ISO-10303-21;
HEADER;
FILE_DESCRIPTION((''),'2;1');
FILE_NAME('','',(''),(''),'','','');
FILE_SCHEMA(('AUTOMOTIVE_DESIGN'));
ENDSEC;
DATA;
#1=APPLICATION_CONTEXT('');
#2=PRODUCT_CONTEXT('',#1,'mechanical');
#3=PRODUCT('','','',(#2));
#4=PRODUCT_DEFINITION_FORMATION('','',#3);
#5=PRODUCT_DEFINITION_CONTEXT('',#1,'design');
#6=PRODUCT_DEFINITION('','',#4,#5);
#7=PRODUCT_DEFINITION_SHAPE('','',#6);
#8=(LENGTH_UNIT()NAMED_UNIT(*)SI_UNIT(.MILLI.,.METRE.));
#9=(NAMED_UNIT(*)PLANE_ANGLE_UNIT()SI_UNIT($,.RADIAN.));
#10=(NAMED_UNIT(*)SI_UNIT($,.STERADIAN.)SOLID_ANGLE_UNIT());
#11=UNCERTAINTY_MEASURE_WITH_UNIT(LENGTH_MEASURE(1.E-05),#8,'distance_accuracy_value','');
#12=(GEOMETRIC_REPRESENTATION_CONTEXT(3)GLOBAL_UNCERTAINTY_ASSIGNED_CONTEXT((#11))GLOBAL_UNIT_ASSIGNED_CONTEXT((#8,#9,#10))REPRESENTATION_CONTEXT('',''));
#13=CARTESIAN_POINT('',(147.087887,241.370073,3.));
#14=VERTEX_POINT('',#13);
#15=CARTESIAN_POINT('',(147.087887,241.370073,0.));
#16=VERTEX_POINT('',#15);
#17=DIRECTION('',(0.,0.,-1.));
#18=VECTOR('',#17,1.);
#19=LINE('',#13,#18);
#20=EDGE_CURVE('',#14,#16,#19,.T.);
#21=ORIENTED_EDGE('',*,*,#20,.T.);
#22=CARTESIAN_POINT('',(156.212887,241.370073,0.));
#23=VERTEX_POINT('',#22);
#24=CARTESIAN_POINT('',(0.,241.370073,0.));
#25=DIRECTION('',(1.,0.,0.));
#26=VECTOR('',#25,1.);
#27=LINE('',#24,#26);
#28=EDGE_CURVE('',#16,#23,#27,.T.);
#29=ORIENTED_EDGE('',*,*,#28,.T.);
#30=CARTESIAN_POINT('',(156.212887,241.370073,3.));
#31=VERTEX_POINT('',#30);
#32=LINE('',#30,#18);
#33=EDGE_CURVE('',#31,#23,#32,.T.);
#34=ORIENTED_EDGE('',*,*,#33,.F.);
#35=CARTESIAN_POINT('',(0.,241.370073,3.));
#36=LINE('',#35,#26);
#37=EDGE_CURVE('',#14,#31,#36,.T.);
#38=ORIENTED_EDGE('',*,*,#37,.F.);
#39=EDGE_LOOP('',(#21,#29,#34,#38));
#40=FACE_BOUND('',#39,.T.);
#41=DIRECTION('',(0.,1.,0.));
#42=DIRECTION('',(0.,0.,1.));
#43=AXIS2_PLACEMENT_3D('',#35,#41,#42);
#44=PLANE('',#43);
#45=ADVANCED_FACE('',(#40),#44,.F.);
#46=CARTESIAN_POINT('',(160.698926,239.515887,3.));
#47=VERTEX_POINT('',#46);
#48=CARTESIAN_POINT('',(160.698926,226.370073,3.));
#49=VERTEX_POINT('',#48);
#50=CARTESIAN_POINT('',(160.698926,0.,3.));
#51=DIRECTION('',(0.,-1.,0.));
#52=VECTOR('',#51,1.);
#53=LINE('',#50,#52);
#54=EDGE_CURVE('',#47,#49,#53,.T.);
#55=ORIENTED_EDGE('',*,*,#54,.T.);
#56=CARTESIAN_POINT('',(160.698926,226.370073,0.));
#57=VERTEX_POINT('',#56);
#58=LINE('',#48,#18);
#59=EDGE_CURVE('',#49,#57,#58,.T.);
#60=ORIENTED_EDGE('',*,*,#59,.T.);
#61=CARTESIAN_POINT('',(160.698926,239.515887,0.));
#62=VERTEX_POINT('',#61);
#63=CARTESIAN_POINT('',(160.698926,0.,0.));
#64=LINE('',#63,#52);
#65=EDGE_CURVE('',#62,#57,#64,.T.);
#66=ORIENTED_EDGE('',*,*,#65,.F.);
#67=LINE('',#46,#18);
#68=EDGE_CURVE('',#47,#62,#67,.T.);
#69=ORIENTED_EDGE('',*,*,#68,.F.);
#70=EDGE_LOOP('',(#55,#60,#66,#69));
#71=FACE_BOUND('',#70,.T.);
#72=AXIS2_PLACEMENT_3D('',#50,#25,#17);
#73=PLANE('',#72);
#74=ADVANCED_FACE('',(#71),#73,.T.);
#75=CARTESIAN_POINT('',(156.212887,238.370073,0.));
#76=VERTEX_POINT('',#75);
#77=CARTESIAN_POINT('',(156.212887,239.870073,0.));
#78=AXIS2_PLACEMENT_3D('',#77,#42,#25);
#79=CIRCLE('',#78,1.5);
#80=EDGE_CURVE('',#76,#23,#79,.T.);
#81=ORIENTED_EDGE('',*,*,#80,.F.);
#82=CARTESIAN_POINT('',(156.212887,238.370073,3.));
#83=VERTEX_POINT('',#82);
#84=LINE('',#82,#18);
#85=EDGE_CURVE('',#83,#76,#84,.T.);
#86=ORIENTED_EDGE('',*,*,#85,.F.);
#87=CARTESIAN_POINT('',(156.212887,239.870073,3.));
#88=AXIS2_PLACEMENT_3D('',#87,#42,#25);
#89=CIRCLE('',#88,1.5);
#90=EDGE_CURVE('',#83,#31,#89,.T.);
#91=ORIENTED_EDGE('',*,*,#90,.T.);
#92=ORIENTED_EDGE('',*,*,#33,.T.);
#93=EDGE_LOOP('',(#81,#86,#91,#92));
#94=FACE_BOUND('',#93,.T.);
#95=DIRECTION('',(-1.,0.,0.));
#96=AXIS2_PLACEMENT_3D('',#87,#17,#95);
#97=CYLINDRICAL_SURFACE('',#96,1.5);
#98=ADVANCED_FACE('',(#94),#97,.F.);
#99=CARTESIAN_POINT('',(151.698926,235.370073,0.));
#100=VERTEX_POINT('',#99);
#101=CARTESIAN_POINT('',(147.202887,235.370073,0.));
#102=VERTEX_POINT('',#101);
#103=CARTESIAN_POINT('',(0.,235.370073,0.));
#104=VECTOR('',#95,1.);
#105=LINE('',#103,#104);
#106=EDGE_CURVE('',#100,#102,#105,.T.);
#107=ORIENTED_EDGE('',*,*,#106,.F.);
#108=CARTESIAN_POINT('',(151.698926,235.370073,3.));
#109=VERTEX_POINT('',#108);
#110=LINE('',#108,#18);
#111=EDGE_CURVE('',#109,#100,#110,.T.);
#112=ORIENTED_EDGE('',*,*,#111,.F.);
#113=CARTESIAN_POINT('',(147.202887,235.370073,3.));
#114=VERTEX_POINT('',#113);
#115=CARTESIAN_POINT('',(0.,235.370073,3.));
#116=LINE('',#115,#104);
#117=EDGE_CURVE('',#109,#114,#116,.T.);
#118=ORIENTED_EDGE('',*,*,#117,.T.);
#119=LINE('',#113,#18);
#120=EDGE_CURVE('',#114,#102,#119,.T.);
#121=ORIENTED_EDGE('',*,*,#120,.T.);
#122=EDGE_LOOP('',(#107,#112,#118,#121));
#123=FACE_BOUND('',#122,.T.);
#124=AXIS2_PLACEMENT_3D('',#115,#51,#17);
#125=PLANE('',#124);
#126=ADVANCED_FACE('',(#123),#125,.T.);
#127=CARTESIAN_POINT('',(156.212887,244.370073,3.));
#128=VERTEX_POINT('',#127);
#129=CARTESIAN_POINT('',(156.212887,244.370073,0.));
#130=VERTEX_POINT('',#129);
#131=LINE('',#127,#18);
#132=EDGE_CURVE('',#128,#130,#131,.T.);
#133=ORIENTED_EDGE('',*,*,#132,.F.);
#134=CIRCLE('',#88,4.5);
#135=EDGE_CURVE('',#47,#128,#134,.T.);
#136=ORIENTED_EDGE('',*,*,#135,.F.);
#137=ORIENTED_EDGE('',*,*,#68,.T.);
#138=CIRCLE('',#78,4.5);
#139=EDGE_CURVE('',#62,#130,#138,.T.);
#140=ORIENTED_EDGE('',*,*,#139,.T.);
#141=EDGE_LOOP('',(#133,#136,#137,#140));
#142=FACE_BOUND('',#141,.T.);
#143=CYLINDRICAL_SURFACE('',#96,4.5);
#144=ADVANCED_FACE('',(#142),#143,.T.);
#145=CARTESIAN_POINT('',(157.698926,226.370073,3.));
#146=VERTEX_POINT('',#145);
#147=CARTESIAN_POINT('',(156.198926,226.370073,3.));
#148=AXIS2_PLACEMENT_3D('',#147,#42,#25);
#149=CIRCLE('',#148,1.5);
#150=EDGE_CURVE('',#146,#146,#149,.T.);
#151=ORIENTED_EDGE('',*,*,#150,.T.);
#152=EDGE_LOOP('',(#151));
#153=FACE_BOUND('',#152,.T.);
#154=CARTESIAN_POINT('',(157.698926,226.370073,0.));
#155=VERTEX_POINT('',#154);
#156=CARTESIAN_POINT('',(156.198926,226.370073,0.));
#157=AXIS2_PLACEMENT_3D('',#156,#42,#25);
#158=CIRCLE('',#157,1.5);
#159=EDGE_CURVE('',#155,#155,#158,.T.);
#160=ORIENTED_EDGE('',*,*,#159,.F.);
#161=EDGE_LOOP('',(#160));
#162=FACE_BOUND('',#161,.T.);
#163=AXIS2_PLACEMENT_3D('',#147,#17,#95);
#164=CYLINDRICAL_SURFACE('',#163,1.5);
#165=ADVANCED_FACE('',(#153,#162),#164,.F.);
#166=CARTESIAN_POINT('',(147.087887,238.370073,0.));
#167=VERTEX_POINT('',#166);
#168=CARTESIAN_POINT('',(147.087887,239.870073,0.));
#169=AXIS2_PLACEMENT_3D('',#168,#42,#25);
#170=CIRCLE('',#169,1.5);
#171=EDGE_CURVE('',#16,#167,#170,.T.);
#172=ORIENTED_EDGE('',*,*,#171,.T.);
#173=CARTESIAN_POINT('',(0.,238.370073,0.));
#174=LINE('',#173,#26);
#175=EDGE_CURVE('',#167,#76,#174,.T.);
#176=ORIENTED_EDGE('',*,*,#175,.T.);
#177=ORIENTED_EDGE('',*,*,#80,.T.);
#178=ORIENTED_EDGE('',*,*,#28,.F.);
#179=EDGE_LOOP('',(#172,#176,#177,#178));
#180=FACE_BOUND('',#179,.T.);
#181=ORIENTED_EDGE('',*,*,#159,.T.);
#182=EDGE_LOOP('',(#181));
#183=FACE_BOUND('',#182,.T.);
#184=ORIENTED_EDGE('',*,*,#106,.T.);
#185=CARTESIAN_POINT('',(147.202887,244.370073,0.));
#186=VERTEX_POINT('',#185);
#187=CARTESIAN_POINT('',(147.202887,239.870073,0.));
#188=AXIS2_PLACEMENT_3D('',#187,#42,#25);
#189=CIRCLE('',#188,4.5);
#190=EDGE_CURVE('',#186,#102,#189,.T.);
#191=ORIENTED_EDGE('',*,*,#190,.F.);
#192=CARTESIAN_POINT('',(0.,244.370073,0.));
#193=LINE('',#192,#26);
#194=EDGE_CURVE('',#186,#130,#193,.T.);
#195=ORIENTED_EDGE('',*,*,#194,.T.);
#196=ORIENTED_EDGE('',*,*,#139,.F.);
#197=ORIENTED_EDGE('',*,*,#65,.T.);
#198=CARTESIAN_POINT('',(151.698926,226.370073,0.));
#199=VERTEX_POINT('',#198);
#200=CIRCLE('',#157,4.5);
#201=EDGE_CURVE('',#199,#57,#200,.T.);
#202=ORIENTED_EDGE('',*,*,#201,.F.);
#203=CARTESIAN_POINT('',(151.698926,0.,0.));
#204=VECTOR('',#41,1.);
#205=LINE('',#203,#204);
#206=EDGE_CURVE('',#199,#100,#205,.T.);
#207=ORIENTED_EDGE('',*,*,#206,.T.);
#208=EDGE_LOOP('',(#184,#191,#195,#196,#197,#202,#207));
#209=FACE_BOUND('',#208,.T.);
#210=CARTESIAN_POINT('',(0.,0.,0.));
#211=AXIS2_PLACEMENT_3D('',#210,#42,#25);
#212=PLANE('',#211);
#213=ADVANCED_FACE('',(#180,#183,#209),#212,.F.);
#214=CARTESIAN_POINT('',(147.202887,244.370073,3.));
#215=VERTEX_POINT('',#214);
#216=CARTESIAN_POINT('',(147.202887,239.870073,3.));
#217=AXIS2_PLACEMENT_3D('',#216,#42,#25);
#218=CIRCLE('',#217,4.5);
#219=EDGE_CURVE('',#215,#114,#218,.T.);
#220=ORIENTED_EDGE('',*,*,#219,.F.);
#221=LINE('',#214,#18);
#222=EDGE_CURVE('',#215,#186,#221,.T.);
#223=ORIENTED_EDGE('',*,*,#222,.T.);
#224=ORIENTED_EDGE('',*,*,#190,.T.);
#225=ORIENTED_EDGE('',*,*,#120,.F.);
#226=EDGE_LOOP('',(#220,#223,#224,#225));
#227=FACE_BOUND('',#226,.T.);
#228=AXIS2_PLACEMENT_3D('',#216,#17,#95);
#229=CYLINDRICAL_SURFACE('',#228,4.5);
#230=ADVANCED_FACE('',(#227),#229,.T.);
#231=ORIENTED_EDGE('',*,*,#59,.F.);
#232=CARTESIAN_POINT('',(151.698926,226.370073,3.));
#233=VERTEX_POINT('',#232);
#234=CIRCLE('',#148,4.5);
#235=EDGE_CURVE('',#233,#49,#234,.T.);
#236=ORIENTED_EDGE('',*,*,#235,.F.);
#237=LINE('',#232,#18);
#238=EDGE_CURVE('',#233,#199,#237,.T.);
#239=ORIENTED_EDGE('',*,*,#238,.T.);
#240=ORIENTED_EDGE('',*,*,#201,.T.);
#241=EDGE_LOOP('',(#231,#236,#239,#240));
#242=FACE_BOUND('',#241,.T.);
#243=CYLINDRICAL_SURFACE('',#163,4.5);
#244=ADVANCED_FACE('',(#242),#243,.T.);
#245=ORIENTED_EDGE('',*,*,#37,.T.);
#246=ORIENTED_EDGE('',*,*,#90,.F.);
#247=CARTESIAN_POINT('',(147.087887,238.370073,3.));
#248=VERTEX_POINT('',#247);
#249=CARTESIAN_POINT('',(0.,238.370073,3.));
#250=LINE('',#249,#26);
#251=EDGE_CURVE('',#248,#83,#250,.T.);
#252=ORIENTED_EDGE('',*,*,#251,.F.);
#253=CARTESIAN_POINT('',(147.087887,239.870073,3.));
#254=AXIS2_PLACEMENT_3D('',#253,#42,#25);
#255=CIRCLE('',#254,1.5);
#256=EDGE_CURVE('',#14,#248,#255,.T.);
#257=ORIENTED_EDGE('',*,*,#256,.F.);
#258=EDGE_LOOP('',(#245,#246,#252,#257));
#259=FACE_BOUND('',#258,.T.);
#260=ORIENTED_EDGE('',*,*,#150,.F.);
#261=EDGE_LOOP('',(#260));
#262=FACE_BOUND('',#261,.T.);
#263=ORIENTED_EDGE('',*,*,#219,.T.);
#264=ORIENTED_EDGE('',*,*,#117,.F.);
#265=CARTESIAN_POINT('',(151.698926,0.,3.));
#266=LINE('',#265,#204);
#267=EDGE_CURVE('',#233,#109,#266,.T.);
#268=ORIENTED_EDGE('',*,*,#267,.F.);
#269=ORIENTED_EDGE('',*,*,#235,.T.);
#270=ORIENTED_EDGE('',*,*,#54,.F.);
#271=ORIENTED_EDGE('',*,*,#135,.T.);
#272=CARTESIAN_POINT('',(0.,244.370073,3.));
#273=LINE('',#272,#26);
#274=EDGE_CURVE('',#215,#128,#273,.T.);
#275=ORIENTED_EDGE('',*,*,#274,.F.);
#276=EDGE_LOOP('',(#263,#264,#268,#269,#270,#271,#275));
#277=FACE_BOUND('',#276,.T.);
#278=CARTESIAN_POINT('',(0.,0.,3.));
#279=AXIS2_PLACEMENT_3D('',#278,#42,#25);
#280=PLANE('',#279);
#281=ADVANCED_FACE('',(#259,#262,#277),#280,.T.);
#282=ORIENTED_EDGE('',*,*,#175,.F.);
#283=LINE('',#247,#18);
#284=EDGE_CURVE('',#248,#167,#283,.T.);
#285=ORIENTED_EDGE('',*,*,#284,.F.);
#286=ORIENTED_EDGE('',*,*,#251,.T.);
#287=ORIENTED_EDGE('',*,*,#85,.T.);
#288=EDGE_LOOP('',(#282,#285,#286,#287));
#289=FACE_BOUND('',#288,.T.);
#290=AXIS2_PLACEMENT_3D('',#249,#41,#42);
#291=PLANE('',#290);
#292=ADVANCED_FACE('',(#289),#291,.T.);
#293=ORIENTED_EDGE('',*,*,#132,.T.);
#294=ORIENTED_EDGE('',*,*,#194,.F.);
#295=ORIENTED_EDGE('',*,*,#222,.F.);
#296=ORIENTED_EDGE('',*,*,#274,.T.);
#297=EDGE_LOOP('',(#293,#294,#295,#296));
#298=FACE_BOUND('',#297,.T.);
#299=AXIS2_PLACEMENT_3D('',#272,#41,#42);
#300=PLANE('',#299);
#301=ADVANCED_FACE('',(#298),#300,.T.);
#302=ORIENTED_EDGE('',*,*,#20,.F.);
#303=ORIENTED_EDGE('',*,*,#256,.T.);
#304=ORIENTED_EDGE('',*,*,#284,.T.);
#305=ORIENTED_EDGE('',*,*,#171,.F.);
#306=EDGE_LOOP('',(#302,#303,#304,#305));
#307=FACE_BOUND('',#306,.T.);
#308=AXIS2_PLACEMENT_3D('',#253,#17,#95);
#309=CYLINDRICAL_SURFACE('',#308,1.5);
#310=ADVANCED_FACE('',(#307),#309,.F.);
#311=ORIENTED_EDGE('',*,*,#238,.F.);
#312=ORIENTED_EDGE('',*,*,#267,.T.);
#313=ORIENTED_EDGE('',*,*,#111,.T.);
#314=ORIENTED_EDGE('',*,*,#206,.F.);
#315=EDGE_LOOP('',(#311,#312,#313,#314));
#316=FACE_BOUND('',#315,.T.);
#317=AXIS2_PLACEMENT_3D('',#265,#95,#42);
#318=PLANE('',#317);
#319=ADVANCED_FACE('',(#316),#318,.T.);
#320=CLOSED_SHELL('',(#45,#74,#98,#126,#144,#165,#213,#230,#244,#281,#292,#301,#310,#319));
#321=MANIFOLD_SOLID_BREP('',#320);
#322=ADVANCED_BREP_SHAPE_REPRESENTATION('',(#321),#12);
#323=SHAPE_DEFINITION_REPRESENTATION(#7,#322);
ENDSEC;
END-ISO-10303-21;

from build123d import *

# Parameters (mm, degrees)
MODEL_R                 = 1.5
SALIENTE_EXTRUIR1_DEPTH = 3


with BuildPart() as part:
    # Model → Saliente-Extruir1 (new body)
    with BuildSketch(Plane.XY):
        with BuildLine():
            Line((160.698926217, 226.370073483), (160.698926217, 239.515886932))
            ThreePointArc((160.698926217, 239.515886932), (159.517719337, 242.924264089), (156.212886551, 244.370073483))
            Line((156.212886551, 244.370073483), (147.202886551, 244.370073483))
            ThreePointArc((147.202886551, 244.370073483), (142.702886551, 239.870073483), (147.202886551, 235.370073483))
            Line((147.202886551, 235.370073483), (151.698926217, 235.370073483))
            Line((151.698926217, 235.370073483), (151.698926217, 226.370073483))
            ThreePointArc((151.698926217, 226.370073483), (156.198926217, 221.870073483), (160.698926217, 226.370073483))
        make_face()
        with Locations((156.198926217, 226.370073483)):
            Circle(MODEL_R, mode=Mode.SUBTRACT)
        with BuildLine():
            ThreePointArc((147.087886551, 238.370073483), (145.587886551, 239.870073483), (147.087886551, 241.370073483))
            Line((147.087886551, 241.370073483), (156.212886551, 241.370073483))
            ThreePointArc((156.212886551, 241.370073483), (157.712886551, 239.870073483), (156.212886551, 238.370073483))
            Line((156.212886551, 238.370073483), (147.087886551, 238.370073483))
        make_face(mode=Mode.SUBTRACT)
    extrude(amount=SALIENTE_EXTRUIR1_DEPTH)


solid = part.part
